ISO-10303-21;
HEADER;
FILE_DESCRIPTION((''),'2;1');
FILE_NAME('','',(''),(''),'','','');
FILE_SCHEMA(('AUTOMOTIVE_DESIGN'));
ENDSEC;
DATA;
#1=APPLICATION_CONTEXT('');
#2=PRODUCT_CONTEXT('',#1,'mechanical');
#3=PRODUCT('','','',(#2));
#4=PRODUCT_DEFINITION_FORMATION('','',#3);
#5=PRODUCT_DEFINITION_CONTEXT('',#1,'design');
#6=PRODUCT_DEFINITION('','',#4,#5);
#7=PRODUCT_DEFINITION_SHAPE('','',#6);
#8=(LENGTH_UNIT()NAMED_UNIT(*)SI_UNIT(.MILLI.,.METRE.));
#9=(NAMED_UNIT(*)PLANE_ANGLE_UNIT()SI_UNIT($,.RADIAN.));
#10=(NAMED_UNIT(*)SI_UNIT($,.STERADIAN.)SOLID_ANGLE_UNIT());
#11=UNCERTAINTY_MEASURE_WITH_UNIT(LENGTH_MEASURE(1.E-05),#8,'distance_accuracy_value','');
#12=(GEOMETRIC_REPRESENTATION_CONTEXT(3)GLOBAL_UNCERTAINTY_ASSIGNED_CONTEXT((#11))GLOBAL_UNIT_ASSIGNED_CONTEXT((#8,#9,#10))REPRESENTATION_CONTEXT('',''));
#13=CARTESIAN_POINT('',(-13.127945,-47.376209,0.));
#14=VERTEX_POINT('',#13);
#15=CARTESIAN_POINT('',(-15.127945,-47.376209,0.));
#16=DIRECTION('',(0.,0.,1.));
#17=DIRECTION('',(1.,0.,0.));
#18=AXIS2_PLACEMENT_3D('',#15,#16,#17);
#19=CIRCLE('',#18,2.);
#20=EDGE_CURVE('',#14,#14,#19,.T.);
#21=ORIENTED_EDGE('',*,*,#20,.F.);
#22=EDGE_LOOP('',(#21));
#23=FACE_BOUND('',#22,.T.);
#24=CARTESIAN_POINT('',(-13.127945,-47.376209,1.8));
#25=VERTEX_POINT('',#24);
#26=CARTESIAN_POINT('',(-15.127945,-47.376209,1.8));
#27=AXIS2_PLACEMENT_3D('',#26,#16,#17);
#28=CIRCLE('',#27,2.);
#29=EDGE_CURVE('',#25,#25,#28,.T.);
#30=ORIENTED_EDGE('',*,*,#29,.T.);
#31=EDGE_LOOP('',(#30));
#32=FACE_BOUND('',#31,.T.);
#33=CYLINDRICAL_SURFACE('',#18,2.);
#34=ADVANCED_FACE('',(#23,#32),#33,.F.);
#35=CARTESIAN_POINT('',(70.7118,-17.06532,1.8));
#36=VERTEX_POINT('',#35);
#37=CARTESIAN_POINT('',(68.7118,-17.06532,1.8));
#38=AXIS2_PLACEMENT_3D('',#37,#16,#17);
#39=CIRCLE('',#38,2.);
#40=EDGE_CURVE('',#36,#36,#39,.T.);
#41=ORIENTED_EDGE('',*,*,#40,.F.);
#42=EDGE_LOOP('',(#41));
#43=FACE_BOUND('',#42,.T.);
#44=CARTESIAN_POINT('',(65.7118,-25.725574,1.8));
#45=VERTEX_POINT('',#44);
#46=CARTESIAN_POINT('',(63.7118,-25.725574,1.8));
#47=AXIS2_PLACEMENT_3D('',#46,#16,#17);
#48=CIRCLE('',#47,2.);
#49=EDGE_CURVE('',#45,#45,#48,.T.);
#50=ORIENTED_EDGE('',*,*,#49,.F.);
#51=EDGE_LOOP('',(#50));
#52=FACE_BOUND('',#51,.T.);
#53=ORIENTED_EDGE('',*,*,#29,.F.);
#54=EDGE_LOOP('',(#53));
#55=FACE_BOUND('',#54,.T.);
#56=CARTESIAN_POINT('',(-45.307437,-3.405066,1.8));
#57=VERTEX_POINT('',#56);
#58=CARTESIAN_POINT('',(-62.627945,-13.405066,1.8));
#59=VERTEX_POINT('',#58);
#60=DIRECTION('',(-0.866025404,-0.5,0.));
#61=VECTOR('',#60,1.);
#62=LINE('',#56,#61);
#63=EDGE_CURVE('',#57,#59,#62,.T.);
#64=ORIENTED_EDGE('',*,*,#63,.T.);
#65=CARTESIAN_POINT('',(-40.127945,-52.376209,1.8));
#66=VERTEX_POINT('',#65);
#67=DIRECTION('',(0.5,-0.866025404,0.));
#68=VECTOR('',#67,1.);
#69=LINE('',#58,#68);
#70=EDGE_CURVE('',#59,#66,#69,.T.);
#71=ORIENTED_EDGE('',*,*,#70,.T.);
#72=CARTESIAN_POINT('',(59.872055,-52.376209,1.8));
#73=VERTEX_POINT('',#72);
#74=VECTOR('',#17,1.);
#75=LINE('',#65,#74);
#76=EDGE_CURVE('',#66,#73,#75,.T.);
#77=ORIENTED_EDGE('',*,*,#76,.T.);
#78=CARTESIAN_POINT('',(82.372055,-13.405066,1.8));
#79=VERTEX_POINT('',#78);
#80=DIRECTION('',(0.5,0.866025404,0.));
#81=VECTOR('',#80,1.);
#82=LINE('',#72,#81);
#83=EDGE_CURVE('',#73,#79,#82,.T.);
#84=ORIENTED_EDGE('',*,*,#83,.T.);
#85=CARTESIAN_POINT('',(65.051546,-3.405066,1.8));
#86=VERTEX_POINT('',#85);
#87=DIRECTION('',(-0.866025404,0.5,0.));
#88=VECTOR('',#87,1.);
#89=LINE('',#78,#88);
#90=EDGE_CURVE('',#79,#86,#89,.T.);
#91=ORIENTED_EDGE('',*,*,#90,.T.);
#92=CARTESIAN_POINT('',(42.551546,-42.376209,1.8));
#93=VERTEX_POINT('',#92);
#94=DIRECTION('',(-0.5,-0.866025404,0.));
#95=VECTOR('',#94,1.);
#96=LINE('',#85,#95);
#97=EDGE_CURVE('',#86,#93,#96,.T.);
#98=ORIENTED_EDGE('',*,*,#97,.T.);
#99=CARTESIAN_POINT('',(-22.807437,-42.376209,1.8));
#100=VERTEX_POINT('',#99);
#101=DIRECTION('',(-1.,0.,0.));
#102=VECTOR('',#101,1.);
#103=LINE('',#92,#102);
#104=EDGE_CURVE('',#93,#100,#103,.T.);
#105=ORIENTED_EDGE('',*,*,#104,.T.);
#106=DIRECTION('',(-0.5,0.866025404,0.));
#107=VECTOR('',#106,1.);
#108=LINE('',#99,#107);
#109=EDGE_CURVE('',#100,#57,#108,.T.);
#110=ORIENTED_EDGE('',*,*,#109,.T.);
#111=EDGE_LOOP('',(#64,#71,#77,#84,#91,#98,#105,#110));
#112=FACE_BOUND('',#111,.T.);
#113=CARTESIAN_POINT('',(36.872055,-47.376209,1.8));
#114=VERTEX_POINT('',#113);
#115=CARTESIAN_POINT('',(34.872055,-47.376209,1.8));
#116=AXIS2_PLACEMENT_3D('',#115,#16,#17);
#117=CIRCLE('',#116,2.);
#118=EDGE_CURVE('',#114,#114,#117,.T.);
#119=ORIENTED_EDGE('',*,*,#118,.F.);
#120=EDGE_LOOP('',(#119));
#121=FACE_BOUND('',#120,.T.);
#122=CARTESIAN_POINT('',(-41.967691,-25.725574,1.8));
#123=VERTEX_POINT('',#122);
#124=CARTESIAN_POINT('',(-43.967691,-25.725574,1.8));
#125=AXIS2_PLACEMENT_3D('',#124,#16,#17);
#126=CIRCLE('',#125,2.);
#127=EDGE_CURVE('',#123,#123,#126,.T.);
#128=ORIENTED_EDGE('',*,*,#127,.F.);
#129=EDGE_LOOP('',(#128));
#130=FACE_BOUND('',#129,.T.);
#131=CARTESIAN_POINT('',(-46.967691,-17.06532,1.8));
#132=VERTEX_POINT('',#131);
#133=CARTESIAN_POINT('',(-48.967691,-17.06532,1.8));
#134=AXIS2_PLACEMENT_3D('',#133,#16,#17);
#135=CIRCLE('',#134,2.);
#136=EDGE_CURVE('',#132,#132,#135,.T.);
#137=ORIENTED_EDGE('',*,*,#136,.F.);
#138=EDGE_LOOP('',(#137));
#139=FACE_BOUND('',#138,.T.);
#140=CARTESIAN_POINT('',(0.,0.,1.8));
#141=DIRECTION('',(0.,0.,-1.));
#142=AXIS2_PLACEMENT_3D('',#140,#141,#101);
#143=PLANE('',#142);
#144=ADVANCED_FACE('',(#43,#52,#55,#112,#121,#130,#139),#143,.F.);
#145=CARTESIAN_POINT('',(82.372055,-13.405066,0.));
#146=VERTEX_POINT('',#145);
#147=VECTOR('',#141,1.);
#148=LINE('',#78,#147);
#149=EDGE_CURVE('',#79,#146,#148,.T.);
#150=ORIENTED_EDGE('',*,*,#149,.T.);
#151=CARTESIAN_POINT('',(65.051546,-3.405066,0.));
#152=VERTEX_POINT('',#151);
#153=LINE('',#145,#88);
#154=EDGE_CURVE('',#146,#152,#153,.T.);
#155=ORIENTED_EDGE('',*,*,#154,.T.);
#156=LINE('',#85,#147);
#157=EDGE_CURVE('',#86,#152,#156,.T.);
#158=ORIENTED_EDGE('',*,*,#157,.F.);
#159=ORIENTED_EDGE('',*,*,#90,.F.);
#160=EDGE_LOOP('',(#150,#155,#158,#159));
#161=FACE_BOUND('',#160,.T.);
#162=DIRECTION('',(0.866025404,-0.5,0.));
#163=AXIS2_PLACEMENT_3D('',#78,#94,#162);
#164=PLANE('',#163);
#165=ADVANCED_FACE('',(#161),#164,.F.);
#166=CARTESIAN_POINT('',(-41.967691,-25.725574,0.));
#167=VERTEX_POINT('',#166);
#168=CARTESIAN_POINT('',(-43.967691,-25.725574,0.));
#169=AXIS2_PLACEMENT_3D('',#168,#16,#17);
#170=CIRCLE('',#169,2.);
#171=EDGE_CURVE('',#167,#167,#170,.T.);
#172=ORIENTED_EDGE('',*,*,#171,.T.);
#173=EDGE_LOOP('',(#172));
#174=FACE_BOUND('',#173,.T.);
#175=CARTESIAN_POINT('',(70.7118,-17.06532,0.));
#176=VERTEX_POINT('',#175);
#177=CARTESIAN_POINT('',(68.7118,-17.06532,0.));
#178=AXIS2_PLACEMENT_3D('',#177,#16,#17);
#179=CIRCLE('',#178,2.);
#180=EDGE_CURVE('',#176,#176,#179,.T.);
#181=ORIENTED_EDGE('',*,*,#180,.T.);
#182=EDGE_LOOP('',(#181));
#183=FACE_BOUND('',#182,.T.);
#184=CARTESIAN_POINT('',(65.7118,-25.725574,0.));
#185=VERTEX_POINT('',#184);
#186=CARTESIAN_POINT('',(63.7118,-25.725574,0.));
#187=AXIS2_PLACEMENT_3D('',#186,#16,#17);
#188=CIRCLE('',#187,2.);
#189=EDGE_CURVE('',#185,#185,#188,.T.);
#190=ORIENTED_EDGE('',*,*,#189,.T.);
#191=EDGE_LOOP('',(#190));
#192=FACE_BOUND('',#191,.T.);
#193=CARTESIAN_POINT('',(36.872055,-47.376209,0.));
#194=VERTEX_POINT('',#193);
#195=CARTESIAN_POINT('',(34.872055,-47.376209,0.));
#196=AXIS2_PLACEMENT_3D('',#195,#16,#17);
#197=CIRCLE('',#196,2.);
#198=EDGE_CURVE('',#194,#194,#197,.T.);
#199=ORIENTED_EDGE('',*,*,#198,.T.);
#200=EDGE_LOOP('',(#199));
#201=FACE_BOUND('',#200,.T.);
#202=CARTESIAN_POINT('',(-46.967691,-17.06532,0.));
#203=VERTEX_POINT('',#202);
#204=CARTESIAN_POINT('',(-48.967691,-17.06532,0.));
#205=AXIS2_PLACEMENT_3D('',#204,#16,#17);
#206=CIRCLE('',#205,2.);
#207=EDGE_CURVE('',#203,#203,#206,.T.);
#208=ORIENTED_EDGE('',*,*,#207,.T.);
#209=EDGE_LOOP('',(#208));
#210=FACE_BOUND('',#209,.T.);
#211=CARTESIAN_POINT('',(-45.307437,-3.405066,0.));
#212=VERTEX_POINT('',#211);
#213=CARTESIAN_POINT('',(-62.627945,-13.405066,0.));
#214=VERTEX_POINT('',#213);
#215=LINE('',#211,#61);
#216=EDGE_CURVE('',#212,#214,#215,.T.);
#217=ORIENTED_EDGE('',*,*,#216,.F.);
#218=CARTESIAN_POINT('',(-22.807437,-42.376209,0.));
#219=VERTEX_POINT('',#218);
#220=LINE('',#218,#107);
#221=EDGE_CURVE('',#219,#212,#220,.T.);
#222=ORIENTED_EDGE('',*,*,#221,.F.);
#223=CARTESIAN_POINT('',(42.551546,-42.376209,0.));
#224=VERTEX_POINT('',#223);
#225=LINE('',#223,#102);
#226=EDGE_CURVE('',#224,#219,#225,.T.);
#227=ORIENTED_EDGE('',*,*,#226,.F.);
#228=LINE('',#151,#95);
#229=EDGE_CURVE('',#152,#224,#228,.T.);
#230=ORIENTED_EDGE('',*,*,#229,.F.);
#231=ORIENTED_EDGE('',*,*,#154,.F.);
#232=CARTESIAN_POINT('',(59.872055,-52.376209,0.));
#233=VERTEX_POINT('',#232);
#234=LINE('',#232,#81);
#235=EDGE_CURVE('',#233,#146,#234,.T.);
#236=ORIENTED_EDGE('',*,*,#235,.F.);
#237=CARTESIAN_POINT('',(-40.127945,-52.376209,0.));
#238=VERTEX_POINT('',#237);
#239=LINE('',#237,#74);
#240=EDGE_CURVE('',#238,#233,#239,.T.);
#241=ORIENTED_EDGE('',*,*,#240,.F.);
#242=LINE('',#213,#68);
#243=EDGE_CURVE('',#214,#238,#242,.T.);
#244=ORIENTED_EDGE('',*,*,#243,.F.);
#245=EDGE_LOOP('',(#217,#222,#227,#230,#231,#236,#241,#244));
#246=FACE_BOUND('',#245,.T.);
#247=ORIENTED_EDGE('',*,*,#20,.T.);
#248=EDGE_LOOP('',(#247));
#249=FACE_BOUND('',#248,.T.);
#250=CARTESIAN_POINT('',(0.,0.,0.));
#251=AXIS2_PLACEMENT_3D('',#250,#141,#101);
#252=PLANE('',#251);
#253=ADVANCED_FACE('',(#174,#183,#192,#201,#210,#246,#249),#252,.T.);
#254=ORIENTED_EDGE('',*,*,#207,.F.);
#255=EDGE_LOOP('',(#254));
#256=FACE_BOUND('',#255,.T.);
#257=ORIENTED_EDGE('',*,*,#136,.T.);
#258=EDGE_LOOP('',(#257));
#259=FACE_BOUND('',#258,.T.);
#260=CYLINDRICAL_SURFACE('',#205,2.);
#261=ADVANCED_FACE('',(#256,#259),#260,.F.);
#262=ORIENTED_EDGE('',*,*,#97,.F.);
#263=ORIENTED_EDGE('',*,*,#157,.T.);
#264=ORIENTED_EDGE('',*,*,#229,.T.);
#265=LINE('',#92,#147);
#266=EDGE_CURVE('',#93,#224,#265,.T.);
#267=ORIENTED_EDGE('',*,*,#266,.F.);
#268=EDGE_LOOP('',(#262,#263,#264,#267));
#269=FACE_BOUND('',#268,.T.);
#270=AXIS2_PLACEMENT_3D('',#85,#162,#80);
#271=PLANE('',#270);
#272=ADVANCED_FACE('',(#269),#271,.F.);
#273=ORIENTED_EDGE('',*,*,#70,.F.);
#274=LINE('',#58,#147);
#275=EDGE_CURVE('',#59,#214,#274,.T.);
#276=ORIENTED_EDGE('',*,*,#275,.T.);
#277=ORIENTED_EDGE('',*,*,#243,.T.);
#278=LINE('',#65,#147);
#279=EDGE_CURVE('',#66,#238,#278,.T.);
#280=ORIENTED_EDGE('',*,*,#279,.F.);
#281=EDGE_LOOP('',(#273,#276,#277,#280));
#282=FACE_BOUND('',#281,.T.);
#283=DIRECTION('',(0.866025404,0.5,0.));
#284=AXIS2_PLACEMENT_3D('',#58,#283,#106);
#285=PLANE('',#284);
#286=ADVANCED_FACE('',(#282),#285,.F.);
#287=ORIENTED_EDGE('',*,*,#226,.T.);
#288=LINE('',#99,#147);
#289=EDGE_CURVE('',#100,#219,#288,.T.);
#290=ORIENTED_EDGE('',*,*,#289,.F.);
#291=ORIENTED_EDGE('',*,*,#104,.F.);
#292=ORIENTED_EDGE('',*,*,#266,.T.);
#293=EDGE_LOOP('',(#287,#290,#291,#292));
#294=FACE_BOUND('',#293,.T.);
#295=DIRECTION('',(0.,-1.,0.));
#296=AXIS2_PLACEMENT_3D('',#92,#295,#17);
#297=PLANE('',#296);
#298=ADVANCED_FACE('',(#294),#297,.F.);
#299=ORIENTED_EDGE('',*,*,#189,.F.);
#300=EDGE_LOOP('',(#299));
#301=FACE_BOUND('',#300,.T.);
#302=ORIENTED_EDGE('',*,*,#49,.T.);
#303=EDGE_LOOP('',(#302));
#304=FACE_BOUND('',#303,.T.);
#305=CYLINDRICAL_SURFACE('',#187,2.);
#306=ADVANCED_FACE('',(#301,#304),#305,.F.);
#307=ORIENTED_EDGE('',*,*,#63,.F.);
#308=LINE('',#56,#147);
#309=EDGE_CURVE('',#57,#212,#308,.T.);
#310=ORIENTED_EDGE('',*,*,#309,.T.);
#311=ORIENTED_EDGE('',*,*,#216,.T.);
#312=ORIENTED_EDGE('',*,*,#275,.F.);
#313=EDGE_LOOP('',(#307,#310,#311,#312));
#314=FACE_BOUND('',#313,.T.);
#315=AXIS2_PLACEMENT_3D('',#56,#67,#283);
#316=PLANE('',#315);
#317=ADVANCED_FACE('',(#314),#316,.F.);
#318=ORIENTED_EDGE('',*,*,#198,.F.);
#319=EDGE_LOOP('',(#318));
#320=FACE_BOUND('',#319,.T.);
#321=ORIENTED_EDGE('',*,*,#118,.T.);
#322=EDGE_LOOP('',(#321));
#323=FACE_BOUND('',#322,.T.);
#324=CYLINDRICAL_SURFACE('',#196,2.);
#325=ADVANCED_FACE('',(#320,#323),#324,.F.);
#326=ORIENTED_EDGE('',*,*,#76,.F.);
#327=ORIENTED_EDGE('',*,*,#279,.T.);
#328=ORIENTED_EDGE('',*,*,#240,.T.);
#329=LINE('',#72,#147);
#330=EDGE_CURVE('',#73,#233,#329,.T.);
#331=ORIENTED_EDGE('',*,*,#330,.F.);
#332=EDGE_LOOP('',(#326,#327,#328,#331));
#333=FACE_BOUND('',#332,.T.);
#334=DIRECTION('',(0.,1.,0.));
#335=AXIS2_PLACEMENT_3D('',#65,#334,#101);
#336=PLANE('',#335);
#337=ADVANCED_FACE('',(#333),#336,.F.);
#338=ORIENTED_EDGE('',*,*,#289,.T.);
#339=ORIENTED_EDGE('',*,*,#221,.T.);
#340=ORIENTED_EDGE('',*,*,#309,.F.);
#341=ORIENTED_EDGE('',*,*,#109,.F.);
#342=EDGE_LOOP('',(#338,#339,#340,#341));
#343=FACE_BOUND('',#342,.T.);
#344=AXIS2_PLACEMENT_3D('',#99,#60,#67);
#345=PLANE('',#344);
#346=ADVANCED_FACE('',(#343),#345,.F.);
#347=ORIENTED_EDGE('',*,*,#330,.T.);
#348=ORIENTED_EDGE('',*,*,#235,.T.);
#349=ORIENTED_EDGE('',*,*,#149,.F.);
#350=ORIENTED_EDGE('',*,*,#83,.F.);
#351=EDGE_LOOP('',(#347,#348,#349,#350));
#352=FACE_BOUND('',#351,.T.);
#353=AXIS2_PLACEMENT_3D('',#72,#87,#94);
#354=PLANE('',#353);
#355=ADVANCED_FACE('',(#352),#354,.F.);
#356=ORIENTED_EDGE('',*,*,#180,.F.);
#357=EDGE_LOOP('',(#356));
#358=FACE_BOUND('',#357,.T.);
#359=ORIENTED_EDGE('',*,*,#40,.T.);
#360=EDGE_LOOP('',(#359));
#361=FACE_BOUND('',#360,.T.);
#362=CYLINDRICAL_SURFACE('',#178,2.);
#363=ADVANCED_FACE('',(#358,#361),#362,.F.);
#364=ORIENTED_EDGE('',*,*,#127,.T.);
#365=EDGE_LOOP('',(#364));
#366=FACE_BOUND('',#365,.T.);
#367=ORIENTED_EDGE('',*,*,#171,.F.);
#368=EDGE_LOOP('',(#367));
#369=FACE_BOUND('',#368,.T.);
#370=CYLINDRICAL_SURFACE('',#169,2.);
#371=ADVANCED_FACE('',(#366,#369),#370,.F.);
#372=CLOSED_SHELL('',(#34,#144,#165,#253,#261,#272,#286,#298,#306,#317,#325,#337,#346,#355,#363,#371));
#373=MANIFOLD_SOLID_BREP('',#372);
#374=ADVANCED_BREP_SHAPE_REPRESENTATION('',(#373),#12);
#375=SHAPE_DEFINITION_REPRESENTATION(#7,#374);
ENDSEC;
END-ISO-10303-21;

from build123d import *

# Parameters (mm, degrees)
EXTRUDE_2_DEPTH     = 1.8
SKETCH_2_R          = 2
CUT_EXTRUDE_3_DEPTH = 1.8


with BuildPart() as part:
    # 草圖1 → 填料-伸長2 (new body)
    with BuildSketch(Plane.XY):
        Polygon((-40.127945462, -52.376209375), (59.872054538, -52.376209375), (82.372054538, -13.405066204), (65.051546462, -3.405066204), (42.551546462, -42.376209375), (-22.807437387, -42.376209375), (-45.307437387, -3.405066204), (-62.627945462, -13.405066204), align=None)
    extrude(amount=EXTRUDE_2_DEPTH)

    # 草圖2 → 除料-伸長3 (cut)
    with BuildSketch(Plane.XY.offset(1.8)):
        with Locations((-48.967691424, -17.065320242)):
            Circle(SKETCH_2_R)
        with Locations((68.7118005, -17.065320242)):
            Circle(SKETCH_2_R)
        with Locations((-43.967691424, -25.72557428)):
            Circle(SKETCH_2_R)
        with Locations((63.7118005, -25.72557428)):
            Circle(SKETCH_2_R)
        with Locations((-15.127945462, -47.376209375)):
            Circle(SKETCH_2_R)
        with Locations((34.872054538, -47.376209375)):
            Circle(SKETCH_2_R)
    extrude(amount=-CUT_EXTRUDE_3_DEPTH, mode=Mode.SUBTRACT)


solid = part.part
